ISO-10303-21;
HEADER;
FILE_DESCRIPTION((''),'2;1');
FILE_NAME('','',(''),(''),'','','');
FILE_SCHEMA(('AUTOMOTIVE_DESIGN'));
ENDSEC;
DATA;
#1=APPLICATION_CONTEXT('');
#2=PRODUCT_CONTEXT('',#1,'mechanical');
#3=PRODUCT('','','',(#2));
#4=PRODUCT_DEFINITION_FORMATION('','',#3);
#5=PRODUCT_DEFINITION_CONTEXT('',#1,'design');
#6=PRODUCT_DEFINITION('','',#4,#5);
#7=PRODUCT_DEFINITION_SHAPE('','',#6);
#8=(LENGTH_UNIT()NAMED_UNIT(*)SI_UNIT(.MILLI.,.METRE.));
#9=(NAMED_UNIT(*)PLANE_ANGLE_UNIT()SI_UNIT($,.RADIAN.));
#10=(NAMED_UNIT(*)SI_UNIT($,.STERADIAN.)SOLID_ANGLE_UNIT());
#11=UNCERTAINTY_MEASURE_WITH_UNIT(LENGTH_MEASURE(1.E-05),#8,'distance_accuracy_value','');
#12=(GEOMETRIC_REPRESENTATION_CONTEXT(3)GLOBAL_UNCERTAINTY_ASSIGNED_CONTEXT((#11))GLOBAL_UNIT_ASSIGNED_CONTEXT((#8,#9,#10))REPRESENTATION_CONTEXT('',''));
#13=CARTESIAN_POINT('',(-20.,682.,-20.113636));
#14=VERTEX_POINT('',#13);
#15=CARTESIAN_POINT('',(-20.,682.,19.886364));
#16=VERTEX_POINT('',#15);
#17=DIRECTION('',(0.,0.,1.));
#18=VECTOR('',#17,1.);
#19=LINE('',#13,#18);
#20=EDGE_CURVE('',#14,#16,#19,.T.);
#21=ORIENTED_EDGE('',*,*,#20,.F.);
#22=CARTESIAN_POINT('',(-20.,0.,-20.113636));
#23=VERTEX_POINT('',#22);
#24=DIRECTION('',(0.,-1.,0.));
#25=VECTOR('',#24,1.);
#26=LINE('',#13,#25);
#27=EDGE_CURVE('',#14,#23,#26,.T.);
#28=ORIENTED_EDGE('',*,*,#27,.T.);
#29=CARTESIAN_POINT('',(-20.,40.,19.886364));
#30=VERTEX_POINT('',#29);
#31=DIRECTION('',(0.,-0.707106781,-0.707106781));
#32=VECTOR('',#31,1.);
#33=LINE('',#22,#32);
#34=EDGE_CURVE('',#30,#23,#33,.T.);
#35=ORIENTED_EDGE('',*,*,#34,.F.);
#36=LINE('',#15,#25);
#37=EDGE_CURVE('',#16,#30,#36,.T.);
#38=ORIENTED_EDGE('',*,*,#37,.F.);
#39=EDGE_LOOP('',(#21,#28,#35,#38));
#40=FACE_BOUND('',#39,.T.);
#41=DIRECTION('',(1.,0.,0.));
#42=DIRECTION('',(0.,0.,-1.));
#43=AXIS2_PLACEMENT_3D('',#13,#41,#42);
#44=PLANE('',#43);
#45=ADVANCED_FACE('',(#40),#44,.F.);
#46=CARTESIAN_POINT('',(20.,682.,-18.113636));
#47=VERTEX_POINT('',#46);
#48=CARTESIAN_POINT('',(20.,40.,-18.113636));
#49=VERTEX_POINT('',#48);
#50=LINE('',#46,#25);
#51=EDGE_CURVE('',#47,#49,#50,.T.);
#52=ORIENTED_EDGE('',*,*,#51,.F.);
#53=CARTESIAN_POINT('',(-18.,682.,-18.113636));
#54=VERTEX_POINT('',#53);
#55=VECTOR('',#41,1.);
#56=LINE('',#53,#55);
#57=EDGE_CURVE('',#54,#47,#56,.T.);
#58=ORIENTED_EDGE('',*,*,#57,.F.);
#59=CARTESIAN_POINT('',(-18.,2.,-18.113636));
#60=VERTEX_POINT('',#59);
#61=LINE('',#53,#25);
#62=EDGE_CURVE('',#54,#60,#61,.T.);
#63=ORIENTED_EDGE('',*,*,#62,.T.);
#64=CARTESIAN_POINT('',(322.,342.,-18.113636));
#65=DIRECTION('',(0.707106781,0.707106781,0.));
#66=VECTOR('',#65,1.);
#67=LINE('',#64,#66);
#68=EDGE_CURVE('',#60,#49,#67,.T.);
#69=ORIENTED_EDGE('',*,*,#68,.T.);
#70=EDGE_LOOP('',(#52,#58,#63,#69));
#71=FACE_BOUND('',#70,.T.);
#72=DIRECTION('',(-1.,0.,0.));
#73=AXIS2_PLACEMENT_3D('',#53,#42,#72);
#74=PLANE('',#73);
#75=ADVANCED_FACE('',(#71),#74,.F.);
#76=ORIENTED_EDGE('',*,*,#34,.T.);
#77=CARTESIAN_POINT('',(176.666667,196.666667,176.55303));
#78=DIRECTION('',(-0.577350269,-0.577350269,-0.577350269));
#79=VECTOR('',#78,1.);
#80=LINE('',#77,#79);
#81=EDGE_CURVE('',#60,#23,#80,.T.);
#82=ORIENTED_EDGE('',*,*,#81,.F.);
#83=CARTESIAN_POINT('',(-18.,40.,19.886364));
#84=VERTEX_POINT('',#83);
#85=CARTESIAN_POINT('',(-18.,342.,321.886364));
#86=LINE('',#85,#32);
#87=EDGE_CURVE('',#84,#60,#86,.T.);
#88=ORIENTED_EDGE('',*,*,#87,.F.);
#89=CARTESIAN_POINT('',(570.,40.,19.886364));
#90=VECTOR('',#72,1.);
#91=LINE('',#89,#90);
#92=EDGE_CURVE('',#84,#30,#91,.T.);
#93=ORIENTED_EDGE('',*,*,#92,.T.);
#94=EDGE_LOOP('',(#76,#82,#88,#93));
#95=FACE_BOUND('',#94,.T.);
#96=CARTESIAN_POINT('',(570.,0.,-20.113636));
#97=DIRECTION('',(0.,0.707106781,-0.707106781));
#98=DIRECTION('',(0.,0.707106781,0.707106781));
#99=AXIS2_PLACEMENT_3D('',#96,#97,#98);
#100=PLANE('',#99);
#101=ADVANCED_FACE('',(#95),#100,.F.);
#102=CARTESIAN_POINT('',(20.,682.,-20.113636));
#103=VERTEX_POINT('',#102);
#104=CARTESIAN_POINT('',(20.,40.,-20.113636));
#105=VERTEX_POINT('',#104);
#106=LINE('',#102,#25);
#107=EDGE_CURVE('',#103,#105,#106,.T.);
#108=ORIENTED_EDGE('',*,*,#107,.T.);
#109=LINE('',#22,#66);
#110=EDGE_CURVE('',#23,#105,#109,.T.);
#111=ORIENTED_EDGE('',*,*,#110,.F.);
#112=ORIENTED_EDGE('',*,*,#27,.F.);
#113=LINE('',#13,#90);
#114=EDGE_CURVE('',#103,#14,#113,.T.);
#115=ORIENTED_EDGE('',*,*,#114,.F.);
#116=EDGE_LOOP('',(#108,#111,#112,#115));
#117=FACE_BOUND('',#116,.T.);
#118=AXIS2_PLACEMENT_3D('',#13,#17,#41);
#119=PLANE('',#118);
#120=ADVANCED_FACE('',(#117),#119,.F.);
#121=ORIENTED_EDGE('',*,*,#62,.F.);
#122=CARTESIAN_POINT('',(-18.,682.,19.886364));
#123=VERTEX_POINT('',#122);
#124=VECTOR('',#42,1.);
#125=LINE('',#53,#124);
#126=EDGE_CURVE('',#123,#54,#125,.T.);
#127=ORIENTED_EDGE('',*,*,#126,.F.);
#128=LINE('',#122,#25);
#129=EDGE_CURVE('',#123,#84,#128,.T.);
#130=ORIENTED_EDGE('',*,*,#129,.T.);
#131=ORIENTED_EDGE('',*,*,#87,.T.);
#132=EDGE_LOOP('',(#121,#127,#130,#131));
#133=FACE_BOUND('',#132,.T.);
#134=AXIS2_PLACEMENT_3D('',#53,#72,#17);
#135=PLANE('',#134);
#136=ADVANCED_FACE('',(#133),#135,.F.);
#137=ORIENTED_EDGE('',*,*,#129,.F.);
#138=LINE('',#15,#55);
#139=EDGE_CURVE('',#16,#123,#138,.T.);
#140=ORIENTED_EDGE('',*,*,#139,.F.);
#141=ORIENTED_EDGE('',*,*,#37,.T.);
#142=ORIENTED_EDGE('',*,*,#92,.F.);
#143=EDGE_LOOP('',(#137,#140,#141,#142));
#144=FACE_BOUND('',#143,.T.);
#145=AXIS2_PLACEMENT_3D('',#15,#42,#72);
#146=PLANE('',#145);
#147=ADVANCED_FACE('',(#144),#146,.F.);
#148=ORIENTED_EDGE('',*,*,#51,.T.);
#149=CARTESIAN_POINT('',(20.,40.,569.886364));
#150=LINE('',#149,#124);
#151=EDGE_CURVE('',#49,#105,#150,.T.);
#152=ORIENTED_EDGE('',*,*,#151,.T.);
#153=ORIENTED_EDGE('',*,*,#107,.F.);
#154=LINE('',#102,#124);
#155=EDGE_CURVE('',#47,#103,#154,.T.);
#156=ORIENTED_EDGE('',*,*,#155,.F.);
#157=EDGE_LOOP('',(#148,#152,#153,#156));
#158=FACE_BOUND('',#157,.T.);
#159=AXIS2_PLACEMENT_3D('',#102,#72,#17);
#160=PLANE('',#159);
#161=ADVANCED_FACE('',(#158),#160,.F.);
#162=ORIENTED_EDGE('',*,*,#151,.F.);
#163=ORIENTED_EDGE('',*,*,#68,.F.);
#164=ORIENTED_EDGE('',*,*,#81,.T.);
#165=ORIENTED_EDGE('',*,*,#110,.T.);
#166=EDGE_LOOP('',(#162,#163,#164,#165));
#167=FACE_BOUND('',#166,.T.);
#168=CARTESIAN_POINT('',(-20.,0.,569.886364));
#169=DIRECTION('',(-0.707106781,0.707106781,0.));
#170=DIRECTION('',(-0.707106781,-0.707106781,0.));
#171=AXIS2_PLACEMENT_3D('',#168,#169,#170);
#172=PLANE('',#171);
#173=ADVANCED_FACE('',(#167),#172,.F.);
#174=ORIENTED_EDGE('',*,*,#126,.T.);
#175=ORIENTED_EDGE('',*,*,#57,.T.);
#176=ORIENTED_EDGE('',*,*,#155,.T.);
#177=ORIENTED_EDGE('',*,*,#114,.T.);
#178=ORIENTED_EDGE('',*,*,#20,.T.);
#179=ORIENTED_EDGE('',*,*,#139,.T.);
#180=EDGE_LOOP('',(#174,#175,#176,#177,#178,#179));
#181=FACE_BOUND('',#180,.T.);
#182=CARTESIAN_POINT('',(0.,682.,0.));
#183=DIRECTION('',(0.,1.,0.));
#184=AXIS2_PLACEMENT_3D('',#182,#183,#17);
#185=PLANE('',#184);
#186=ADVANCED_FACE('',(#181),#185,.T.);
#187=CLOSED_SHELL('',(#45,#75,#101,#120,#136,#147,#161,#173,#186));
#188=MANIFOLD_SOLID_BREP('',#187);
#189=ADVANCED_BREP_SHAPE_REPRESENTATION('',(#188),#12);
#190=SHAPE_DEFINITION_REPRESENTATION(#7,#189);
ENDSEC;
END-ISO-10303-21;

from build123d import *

# Parameters (mm, degrees)
BOSS_EXTRU_1_DEPTH      = 682
ENL_V_MAT_EXTRU_1_DEPTH = 590
ENL_V_MAT_EXTRU_2_DEPTH = 590


with BuildPart() as part:
    # Esquisse1 → Boss.-Extru.1 (new body)
    with BuildSketch(Plane(origin=(0, 0, 0), x_dir=(1, 0, 0), z_dir=(0, 1, 0))):
        Polygon((-20, 20.113636364), (20, 20.113636364), (20, 18.113636364), (-18, 18.113636364), (-18, -19.886363636), (-20, -19.886363636), align=None)
    extrude(amount=BOSS_EXTRU_1_DEPTH)

    # Esquisse2 → Enlèv. mat.-Extru.1 (cut)
    with BuildSketch(Plane(origin=(0, 0, -20.113636364), x_dir=(-1, 0, 0), z_dir=(0, 0, -1))):
        Polygon((20, 0), (-20, 40), (-20, 0), align=None)
    extrude(amount=-ENL_V_MAT_EXTRU_1_DEPTH, mode=Mode.SUBTRACT)

    # Esquisse3 → Enlèv. mat.-Extru.2 (cut)
    with BuildSketch(Plane.ZY.offset(20)):
        Polygon((-20.113636364, 0), (19.886363636, 40), (19.886363636, 0), align=None)
    extrude(amount=-ENL_V_MAT_EXTRU_2_DEPTH, mode=Mode.SUBTRACT)


solid = part.part
